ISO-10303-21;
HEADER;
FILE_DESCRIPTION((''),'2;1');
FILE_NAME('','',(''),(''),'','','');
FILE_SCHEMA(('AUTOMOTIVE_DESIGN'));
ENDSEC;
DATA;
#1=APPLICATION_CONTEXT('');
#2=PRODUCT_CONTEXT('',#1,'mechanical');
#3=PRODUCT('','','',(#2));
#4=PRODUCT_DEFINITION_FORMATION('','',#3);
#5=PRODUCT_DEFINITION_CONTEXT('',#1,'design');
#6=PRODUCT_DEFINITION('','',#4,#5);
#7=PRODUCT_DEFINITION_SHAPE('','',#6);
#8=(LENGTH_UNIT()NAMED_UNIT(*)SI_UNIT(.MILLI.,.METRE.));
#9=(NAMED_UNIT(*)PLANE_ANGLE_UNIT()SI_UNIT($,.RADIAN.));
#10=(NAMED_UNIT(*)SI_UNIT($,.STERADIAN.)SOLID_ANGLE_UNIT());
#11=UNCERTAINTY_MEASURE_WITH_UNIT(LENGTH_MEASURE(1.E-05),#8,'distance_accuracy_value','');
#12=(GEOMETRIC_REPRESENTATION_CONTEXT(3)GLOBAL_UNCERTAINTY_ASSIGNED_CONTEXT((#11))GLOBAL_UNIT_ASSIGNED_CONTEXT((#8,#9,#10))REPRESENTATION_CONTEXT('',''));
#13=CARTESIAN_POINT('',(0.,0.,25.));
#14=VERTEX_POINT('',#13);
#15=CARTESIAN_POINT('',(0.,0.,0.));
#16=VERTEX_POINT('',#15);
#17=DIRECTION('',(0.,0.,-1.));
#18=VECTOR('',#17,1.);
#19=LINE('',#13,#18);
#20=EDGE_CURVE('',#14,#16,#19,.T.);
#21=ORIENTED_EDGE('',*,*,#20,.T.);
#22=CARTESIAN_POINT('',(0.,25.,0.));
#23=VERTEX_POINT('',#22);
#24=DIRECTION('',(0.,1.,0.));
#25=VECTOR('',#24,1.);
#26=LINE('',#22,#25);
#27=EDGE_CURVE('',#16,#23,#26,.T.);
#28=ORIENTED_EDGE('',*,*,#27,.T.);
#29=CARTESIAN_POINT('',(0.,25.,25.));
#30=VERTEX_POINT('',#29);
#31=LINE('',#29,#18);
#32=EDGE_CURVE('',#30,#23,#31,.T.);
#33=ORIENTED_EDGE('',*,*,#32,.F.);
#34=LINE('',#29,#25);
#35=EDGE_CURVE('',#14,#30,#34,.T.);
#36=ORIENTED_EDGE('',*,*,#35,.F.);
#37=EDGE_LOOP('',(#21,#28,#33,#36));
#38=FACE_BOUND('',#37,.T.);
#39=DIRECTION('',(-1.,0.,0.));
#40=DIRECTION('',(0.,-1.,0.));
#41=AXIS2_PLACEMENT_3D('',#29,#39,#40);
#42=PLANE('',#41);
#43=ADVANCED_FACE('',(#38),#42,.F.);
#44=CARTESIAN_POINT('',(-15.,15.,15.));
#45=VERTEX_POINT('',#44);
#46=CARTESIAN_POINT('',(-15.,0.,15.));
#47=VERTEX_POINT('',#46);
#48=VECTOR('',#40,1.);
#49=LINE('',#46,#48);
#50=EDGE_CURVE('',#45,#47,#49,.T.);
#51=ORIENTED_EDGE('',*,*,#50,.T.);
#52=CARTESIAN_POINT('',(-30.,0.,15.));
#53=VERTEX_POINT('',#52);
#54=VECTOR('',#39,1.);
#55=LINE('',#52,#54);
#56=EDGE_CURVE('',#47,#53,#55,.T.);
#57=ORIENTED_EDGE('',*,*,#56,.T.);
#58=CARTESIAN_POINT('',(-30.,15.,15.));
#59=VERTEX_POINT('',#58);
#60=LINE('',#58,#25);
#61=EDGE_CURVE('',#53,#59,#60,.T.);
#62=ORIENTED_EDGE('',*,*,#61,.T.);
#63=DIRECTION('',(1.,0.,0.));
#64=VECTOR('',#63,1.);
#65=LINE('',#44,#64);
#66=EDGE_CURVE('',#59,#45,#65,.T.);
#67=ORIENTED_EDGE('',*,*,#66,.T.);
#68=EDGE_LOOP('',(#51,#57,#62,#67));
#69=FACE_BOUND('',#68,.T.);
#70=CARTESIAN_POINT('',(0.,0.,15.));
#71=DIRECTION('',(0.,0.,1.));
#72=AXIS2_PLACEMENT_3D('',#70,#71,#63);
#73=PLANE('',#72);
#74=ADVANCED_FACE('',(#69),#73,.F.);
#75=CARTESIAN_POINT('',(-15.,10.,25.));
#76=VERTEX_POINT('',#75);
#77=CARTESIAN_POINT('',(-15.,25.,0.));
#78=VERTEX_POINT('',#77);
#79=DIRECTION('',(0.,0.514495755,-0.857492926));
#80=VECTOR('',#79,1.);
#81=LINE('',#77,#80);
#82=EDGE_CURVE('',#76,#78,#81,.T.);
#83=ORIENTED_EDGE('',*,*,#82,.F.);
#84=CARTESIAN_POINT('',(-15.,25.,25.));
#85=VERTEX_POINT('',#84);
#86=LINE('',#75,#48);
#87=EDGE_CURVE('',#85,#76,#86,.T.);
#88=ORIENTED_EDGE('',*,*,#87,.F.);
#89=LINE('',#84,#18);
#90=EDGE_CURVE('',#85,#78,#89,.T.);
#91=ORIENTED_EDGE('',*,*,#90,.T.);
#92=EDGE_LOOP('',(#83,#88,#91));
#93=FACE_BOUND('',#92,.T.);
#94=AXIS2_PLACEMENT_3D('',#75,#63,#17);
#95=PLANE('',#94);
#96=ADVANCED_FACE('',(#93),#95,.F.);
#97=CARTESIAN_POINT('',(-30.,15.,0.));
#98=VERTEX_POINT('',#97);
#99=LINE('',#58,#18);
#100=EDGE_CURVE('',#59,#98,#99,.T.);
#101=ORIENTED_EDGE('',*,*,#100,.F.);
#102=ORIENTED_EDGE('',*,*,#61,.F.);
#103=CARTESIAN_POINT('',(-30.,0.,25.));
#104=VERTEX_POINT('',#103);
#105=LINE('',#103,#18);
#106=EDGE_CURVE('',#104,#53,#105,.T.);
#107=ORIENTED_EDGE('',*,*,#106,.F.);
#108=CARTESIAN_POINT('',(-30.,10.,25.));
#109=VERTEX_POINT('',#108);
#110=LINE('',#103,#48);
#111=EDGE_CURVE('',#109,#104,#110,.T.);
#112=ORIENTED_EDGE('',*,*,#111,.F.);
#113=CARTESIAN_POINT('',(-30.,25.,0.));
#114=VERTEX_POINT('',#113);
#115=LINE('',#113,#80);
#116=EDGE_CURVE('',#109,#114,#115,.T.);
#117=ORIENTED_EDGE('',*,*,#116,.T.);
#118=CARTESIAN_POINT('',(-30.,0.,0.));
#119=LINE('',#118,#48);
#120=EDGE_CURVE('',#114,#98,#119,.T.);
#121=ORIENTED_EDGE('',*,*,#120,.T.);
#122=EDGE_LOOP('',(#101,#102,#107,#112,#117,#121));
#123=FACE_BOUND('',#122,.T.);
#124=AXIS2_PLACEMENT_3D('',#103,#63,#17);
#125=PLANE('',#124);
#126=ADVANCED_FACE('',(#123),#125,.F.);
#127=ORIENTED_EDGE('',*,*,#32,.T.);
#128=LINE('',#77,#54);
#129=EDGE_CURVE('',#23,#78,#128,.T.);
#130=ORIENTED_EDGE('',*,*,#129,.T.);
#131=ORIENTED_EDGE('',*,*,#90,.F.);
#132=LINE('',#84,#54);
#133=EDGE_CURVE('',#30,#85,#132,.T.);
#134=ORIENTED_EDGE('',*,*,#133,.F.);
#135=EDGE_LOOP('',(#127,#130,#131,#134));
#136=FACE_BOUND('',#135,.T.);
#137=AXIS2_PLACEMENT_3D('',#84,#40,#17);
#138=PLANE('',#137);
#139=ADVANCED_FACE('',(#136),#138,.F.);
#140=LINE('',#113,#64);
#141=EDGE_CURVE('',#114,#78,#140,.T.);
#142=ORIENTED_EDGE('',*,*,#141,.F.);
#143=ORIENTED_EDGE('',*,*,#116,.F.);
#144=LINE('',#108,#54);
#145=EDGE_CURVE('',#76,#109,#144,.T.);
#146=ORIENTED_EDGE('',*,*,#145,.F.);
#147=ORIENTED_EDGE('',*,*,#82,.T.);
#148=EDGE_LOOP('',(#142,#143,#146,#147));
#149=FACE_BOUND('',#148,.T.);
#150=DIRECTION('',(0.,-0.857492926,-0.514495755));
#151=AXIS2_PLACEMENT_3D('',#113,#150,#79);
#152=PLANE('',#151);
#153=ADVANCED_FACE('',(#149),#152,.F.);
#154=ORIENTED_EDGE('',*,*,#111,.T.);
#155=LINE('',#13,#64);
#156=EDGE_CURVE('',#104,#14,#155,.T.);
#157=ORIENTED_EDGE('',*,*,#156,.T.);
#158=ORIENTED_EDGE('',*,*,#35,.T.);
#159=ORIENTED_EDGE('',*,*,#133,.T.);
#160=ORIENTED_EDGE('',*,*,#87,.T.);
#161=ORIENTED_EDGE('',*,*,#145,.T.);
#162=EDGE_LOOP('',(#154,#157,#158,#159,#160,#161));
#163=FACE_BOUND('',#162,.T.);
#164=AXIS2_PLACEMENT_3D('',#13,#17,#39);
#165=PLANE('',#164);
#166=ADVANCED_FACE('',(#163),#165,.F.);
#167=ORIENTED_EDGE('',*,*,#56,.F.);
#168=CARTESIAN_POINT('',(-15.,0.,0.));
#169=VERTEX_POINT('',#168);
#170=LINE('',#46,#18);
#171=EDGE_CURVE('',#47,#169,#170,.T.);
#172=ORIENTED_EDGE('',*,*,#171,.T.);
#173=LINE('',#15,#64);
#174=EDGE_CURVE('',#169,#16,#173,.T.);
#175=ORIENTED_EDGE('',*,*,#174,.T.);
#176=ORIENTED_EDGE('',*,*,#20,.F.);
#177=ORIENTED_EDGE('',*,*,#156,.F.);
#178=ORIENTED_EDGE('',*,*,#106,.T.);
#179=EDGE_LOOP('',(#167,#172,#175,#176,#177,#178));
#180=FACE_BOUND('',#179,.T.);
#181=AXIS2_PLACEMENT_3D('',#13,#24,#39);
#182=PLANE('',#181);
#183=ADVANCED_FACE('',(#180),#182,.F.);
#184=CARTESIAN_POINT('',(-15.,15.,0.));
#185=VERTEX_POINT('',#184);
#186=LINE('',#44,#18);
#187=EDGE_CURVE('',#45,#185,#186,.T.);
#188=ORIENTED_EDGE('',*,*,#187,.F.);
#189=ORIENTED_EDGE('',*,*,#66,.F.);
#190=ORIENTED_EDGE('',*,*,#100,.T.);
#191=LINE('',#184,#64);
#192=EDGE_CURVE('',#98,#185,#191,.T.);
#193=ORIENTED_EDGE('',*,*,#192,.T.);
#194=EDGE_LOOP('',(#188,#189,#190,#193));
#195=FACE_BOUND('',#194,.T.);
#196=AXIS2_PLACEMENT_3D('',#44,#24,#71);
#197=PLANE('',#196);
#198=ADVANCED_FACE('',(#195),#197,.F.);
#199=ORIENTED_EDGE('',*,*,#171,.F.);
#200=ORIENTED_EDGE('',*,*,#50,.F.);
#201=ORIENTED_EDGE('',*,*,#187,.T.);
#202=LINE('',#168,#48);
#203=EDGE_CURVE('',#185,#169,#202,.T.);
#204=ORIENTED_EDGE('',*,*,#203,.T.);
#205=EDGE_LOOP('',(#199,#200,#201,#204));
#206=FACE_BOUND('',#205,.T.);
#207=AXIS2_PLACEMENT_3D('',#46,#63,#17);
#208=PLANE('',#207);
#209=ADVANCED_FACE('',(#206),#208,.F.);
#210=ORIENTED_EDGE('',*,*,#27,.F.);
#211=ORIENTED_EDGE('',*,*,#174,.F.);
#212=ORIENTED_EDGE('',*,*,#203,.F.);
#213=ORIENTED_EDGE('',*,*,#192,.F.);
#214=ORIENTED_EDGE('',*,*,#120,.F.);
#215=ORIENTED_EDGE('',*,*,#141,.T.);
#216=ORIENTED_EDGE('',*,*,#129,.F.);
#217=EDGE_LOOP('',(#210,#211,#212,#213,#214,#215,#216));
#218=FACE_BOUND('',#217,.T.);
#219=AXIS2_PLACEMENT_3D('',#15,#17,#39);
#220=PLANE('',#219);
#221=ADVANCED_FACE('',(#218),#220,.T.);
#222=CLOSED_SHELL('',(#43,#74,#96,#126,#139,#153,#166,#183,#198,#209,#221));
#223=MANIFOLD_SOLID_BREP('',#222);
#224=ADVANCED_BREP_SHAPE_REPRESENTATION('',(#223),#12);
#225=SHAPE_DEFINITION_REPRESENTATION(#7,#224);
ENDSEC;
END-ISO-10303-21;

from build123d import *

# Parameters (mm, degrees)
BOSS_EXTRUDE1_DEPTH = 25
BOSS_EXTRUDE2_DEPTH = 15
SKETCH3_W           = 15
SKETCH3_H           = 15
CUT_EXTRUDE1_DEPTH  = 15


with BuildPart() as part:
    # Sketch1 → Boss-Extrude1 (new body)
    with BuildSketch(Plane.XY):
        Polygon((-30, 10), (-15, 10), (-15, 25), (0, 25), (0, 0), (-30, 0), align=None)
    extrude(amount=BOSS_EXTRUDE1_DEPTH)

    # Sketch2 → Boss-Extrude2 (add)
    with BuildSketch(Plane.ZY.offset(15)):
        Polygon((0, 25), (25, 10), (0, 10), align=None)
    extrude(amount=BOSS_EXTRUDE2_DEPTH)

    # Sketch3 → Cut-Extrude1 (cut)
    with BuildSketch(Plane(origin=(0, 0, 0), x_dir=(-1, 0, 0), z_dir=(0, 0, -1))):
        with Locations((22.5, 7.5)):
            Rectangle(SKETCH3_W, SKETCH3_H)
    extrude(amount=-CUT_EXTRUDE1_DEPTH, mode=Mode.SUBTRACT)


solid = part.part
